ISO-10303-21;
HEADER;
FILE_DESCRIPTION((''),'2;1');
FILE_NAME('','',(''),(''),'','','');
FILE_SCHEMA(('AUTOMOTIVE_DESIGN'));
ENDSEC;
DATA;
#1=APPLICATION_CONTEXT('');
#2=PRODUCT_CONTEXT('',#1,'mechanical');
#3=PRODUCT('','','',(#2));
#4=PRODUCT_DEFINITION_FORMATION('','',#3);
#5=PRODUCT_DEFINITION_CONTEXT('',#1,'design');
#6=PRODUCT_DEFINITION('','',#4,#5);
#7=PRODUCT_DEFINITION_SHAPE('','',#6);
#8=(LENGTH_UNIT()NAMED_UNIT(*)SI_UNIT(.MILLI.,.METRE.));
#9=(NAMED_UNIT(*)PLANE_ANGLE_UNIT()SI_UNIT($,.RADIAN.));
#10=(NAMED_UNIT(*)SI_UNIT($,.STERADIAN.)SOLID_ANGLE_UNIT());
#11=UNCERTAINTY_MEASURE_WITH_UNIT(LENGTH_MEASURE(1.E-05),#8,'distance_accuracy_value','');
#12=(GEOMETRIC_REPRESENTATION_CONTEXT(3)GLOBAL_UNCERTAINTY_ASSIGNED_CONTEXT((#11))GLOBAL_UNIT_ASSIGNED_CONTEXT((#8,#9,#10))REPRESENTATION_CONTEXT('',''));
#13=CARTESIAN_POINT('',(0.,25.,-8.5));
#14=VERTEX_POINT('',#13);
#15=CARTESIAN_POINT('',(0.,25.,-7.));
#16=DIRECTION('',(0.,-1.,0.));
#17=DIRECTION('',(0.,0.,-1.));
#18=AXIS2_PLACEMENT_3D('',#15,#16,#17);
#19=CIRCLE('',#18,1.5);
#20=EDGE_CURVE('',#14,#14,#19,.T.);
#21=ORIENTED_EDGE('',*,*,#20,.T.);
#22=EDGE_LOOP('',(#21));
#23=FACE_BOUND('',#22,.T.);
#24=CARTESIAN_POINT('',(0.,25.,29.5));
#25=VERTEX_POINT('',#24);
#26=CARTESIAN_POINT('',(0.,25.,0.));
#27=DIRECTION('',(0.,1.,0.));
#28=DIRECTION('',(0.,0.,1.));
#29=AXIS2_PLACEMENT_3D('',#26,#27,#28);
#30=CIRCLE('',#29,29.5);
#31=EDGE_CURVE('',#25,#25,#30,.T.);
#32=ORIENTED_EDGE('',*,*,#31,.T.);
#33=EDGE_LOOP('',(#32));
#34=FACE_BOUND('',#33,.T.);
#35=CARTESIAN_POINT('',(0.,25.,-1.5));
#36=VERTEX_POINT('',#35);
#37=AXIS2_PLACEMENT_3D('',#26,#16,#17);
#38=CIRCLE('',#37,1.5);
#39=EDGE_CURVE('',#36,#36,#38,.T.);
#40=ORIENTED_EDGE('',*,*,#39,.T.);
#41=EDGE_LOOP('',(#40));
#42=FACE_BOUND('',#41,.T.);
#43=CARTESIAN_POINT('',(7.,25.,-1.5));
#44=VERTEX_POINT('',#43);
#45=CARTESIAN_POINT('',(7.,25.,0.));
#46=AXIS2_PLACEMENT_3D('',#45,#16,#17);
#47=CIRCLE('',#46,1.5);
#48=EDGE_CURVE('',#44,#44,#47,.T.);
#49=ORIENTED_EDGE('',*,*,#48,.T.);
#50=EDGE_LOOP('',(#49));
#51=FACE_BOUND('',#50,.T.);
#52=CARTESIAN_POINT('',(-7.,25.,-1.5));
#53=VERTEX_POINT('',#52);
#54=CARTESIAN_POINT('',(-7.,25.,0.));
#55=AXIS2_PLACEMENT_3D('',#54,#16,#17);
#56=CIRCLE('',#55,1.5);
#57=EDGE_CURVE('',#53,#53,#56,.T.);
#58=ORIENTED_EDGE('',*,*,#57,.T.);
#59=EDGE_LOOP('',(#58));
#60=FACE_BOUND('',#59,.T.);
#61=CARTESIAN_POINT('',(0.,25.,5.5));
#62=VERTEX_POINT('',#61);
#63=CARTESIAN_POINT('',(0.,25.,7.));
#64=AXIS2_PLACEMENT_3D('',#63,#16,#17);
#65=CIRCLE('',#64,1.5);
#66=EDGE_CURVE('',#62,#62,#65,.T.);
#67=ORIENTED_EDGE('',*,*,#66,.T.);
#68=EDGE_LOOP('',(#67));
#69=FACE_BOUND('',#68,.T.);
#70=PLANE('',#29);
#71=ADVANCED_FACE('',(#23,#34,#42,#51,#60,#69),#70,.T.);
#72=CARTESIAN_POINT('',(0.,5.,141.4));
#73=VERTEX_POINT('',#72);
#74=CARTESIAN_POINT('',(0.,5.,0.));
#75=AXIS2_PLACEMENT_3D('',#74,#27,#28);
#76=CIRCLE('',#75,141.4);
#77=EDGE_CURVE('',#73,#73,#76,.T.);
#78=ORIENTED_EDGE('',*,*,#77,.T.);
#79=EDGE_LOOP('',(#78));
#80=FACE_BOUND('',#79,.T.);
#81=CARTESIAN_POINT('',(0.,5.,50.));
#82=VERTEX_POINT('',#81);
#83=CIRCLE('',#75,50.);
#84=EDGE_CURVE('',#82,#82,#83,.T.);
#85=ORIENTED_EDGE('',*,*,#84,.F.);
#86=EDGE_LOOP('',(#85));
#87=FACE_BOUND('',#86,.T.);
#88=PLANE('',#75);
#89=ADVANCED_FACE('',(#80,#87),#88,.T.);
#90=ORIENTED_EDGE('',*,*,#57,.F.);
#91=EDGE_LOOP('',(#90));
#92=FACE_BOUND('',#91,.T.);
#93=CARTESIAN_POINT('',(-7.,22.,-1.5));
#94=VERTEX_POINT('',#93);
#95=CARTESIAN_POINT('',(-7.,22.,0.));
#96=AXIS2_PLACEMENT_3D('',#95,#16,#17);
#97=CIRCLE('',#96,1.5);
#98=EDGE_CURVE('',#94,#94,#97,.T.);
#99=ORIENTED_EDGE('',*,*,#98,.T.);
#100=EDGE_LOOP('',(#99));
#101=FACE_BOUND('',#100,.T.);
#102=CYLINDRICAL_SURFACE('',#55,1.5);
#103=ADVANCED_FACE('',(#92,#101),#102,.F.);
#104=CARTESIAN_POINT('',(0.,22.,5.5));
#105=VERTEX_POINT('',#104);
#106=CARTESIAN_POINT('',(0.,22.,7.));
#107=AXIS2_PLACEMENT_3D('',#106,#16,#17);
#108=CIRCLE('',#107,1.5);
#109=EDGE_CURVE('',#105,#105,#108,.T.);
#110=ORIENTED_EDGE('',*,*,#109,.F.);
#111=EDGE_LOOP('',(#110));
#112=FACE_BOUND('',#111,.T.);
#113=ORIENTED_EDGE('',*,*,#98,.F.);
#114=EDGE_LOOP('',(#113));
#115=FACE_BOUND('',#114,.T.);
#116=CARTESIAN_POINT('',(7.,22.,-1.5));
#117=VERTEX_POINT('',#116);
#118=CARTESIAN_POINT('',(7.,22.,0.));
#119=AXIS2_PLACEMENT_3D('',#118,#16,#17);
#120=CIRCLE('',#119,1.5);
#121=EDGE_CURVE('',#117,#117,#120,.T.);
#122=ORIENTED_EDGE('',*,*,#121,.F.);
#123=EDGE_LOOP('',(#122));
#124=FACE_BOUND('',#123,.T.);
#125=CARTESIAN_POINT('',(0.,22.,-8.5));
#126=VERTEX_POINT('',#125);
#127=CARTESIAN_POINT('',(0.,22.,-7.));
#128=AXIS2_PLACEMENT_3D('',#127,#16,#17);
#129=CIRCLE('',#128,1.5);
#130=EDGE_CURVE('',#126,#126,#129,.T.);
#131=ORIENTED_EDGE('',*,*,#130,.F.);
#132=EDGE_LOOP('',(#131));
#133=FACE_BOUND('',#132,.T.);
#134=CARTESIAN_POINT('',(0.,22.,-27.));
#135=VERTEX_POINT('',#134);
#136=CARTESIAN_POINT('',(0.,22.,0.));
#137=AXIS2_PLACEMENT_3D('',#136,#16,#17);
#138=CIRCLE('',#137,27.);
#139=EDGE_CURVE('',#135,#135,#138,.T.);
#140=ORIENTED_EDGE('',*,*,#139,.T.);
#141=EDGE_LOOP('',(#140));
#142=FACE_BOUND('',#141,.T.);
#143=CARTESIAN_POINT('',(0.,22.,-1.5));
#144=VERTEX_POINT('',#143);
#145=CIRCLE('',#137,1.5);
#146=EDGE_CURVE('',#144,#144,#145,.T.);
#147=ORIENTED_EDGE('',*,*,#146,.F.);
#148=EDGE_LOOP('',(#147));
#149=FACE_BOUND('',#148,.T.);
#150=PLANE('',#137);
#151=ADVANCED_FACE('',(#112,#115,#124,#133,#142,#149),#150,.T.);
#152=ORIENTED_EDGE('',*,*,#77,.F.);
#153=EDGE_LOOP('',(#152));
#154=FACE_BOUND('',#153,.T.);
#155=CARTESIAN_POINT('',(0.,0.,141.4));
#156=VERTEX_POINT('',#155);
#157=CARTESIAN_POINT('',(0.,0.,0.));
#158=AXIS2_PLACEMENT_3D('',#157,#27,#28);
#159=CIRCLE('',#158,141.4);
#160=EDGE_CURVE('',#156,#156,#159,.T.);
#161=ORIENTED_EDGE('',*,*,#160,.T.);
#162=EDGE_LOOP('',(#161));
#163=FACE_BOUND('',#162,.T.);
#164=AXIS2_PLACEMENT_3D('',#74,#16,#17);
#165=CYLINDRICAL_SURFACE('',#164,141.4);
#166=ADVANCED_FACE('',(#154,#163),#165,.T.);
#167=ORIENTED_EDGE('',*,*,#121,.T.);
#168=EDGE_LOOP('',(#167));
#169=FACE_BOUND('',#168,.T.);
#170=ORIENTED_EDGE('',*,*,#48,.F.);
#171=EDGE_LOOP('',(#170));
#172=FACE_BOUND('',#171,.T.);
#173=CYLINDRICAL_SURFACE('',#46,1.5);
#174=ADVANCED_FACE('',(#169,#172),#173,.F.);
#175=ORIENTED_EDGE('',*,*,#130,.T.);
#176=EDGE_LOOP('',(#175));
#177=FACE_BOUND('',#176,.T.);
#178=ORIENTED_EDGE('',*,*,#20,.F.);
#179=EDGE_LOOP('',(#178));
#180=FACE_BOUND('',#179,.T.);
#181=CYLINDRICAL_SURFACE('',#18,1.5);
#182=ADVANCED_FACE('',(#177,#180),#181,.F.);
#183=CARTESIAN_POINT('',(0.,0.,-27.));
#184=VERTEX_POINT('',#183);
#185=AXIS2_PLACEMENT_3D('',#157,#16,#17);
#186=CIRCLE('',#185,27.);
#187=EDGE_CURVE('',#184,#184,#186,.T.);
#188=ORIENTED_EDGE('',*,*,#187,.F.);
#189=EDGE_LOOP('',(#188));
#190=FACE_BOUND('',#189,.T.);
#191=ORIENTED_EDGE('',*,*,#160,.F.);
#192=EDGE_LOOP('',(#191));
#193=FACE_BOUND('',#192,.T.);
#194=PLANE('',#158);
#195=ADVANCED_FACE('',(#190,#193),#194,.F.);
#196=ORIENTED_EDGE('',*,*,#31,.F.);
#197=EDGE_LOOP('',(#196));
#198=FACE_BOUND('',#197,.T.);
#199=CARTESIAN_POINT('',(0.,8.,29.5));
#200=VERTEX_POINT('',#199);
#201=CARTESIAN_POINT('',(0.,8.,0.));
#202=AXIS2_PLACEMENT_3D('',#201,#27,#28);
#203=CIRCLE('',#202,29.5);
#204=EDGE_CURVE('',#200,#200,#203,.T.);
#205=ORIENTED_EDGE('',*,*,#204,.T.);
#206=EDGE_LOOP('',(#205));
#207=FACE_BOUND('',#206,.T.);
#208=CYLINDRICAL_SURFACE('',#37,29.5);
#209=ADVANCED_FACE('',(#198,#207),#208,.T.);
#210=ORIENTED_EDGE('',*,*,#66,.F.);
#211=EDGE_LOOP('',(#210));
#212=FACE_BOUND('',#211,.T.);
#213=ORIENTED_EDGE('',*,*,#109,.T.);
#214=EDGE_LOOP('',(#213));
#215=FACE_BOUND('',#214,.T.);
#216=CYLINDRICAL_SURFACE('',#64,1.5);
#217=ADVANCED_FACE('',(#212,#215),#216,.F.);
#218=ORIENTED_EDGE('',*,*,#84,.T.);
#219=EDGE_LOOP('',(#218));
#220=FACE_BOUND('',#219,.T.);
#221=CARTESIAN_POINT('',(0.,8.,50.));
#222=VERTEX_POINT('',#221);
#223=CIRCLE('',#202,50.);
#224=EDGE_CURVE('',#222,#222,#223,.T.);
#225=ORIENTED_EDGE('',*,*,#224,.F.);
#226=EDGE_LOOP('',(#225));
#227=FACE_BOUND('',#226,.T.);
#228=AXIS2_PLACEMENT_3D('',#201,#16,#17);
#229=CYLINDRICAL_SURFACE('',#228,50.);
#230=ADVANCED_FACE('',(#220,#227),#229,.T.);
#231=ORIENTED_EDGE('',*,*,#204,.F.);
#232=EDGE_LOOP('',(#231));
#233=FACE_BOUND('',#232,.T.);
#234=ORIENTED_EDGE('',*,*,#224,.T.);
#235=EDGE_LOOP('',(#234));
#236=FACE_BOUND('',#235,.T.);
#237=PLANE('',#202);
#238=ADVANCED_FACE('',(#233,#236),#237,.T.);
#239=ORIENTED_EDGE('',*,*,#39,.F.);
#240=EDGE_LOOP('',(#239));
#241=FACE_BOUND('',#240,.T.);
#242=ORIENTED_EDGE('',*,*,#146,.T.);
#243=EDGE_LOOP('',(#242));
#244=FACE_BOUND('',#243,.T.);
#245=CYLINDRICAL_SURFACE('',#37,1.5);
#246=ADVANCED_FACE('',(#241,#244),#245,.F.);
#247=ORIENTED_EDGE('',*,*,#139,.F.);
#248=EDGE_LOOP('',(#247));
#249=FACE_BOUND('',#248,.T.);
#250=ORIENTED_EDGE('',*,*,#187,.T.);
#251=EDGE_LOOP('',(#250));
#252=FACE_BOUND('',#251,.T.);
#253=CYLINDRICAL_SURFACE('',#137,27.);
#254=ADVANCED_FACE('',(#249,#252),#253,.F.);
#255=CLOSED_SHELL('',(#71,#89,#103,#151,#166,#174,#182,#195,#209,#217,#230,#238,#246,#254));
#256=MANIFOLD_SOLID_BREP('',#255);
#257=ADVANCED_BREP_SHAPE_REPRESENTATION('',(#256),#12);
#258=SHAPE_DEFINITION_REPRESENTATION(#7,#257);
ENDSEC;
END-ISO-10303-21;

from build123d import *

# Parameters (mm, degrees)
SKETCH_1_R          = 141.4
EXTRUDE_1_DEPTH     = 5
SKETCH_2_R          = 50
EXTRUDE_2_DEPTH     = 3
SKETCH_3_R          = 29.5
EXTRUDE_3_DEPTH     = 17
SKETCH_4_R          = 27
CUT_EXTRUDE_1_DEPTH = 22
SKETCH_5_R          = 1.5
CUT_EXTRUDE_2_DEPTH = 202.176340557


with BuildPart() as part:
    # 草图1 → 凸台-拉伸1 (new body)
    with BuildSketch(Plane(origin=(0, 0, 0), x_dir=(1, 0, 0), z_dir=(0, 1, 0))):
        with Locations(Location((0, 0, 0), (0, 0, 270))):
            Circle(SKETCH_1_R)
    extrude(amount=EXTRUDE_1_DEPTH)

    # 草图2 → 凸台-拉伸2 (add)
    with BuildSketch(Plane(origin=(0, 5, 0), x_dir=(1, 0, 0), z_dir=(0, 1, 0))):
        with Locations(Location((0, 0, 0), (0, 0, 270))):
            Circle(SKETCH_2_R)
    extrude(amount=EXTRUDE_2_DEPTH)

    # 草图3 → 凸台-拉伸3 (add)
    with BuildSketch(Plane(origin=(0, 8, 0), x_dir=(1, 0, 0), z_dir=(0, 1, 0))):
        with Locations(Location((0, 0, 0), (0, 0, 270))):
            Circle(SKETCH_3_R)
    extrude(amount=EXTRUDE_3_DEPTH)

    # 草图4 → 切除-拉伸1 (cut)
    with BuildSketch(Plane.XZ):
        with Locations(Location((0, 0, 0), (0, 0, 270))):
            Circle(SKETCH_4_R)
    extrude(amount=-CUT_EXTRUDE_1_DEPTH, mode=Mode.SUBTRACT)

    # 草图5 → 切除-拉伸2 (cut, through all)
    with BuildSketch(Plane.XZ.offset(-22)):
        with Locations(Location((0, 0, 0), (0, 0, 270))):
            Circle(SKETCH_5_R)
        with Locations(Location((0, 7, 0), (0, 0, 270))):
            Circle(SKETCH_5_R)
        with Locations(Location((7, 0, 0), (0, 0, 270))):
            Circle(SKETCH_5_R)
        with Locations(Location((0, -7, 0), (0, 0, 270))):
            Circle(SKETCH_5_R)
        with Locations(Location((-7, 0, 0), (0, 0, 270))):
            Circle(SKETCH_5_R)
    extrude(amount=-CUT_EXTRUDE_2_DEPTH, mode=Mode.SUBTRACT)


solid = part.part
